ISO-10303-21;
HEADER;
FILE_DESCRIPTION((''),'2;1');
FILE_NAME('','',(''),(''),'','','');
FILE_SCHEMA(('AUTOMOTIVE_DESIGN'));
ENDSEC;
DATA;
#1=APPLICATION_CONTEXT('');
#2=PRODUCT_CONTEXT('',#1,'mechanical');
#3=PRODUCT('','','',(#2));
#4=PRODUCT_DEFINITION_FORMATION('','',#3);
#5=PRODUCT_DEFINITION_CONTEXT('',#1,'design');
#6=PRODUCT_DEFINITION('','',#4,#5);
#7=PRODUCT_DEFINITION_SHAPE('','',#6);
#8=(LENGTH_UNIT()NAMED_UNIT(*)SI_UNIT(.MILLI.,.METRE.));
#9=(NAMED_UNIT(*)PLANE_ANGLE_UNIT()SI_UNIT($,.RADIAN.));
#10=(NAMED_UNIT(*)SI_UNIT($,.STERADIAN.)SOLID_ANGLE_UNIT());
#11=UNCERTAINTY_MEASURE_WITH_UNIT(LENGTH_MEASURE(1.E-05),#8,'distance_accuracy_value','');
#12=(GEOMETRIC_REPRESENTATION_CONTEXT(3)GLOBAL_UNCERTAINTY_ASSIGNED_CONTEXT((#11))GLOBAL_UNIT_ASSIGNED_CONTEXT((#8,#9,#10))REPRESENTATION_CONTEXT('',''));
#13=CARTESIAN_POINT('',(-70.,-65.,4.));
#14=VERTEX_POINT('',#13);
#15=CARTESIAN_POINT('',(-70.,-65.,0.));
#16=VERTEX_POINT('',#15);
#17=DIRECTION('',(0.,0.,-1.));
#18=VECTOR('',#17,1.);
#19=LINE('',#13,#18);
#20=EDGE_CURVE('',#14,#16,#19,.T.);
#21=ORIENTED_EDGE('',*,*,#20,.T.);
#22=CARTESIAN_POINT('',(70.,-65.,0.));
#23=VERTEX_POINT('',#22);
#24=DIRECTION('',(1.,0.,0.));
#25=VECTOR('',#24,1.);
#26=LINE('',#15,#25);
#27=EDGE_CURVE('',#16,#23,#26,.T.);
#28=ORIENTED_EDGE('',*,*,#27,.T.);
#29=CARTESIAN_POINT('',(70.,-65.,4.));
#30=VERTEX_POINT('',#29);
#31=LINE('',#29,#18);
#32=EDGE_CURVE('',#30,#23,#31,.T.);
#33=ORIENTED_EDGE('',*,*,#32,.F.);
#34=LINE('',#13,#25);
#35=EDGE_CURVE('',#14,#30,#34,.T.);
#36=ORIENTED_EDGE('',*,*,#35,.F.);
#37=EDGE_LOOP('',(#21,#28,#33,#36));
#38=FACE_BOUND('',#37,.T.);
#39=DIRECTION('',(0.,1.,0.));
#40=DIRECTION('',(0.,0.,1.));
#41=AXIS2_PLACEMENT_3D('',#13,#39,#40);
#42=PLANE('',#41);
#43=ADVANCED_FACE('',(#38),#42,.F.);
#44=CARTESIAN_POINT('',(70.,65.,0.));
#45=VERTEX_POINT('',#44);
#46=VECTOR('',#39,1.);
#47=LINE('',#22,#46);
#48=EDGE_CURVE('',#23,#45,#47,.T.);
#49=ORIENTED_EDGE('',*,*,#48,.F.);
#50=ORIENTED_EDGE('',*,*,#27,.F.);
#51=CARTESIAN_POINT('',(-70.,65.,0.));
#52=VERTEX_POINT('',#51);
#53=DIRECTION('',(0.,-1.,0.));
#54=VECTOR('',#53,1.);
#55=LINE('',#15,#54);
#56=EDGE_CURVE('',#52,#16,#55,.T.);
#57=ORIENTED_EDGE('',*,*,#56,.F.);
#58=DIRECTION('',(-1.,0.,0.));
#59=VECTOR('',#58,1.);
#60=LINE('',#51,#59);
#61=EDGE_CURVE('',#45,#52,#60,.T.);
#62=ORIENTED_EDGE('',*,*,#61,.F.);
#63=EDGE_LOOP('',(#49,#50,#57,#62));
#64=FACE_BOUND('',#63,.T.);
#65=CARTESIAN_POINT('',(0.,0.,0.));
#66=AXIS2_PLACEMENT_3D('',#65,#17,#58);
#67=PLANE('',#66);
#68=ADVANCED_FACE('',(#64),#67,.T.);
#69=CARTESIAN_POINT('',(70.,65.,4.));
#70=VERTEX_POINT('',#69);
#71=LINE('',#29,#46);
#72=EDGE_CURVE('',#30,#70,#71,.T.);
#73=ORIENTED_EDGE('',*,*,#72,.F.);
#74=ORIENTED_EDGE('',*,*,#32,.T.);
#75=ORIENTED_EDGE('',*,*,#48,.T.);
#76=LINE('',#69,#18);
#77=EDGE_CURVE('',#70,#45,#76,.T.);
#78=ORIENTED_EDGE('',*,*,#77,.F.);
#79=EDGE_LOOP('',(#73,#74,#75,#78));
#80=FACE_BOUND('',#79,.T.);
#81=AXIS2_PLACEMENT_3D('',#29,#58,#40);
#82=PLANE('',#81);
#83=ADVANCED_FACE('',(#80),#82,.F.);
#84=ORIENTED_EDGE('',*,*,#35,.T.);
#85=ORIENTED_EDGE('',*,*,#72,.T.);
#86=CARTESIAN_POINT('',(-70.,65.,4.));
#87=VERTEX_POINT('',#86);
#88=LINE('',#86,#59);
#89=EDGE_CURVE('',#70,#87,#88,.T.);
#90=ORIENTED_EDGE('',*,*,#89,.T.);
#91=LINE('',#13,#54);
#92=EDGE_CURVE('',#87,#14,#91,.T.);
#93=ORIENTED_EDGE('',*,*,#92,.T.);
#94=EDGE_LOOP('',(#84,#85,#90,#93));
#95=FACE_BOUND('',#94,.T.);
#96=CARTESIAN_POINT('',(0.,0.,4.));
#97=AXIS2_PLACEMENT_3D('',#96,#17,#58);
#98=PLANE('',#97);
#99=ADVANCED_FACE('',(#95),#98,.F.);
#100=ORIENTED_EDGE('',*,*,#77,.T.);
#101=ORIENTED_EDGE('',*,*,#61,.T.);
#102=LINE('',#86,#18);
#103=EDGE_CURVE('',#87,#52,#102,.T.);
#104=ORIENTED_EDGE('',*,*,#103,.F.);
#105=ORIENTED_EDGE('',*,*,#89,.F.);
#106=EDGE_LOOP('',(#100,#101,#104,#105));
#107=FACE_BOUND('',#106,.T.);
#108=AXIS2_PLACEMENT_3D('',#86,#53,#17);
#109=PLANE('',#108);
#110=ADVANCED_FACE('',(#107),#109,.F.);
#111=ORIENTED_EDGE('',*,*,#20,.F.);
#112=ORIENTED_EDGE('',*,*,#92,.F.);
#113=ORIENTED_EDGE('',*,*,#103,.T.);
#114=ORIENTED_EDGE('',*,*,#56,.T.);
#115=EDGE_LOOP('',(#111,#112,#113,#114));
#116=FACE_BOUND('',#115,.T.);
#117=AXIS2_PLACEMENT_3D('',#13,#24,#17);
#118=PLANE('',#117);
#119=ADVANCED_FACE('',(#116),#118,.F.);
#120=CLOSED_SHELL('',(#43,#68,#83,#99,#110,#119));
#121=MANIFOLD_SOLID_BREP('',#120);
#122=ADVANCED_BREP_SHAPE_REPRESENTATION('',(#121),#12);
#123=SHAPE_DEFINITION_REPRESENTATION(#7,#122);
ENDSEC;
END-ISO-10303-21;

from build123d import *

# Parameters (mm, degrees)
SKETCH1_W           = 140
SKETCH1_H           = 130
BOSS_EXTRUDE1_DEPTH = 4


with BuildPart() as part:
    # Sketch1 → Boss-Extrude1 (new body)
    with BuildSketch(Plane.XY):
        Rectangle(SKETCH1_W, SKETCH1_H)
    extrude(amount=BOSS_EXTRUDE1_DEPTH)


solid = part.part
